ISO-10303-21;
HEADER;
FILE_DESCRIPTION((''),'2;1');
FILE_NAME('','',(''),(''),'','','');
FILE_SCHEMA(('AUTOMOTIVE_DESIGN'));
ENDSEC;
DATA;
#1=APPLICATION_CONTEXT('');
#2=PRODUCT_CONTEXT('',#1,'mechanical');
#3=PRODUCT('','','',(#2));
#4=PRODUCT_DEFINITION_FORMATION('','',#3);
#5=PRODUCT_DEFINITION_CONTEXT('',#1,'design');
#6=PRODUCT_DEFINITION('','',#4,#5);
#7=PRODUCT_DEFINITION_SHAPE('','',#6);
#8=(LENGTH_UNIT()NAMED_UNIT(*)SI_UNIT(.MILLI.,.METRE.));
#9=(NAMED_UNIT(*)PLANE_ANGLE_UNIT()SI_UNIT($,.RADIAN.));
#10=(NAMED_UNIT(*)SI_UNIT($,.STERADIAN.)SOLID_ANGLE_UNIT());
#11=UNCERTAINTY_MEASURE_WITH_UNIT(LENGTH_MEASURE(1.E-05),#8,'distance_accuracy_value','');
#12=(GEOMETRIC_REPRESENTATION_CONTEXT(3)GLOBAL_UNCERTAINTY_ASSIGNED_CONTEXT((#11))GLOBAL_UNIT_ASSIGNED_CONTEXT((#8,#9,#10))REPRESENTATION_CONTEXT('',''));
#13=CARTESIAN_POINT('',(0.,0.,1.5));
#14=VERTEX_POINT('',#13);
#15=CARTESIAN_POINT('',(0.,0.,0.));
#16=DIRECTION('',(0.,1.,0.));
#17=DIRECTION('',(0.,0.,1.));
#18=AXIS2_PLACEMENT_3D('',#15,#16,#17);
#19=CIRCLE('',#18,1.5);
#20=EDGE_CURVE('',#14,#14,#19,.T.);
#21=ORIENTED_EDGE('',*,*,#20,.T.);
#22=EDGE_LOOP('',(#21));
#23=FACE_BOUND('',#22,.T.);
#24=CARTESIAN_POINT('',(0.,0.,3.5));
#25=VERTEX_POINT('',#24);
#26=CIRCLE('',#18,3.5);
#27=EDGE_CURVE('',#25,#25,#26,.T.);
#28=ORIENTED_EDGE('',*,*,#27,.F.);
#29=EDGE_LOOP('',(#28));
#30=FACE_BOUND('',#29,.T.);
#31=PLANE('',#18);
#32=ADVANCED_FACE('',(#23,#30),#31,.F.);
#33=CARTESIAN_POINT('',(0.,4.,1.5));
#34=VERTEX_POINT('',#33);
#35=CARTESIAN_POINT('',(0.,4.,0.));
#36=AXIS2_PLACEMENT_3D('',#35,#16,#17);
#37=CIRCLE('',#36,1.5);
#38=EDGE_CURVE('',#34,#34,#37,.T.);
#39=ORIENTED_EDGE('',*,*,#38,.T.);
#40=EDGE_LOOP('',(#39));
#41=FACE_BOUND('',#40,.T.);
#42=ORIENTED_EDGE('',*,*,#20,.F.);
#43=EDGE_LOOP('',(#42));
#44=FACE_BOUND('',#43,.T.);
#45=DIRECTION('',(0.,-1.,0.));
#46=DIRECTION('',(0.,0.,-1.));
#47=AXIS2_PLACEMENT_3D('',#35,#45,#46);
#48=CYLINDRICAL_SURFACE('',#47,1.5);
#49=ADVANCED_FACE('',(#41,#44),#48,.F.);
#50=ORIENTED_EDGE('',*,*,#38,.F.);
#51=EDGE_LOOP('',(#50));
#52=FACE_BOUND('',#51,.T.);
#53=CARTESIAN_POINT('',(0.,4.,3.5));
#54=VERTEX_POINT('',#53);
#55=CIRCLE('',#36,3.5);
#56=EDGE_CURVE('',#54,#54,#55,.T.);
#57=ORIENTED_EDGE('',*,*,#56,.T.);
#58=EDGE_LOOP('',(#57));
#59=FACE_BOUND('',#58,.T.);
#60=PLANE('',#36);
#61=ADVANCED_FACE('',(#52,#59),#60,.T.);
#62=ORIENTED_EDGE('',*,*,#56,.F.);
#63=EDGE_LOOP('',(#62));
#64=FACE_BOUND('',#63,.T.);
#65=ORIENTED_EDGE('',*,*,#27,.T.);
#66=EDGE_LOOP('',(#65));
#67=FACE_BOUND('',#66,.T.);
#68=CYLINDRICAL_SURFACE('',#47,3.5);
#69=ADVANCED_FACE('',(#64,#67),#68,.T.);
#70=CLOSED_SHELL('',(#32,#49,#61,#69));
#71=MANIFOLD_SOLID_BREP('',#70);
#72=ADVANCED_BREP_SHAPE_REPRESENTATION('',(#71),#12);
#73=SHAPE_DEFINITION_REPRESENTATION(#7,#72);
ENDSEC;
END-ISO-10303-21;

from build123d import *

# Parameters (mm, degrees)
SKETCH_1_R      = 3.5
SKETCH_1_R_2    = 1.5
EXTRUDE_1_DEPTH = 4


with BuildPart() as part:
    # 草图1 → 凸台-拉伸1 (new body)
    with BuildSketch(Plane(origin=(0, 0, 0), x_dir=(1, 0, 0), z_dir=(0, 1, 0))):
        Circle(SKETCH_1_R)
        Circle(SKETCH_1_R_2, mode=Mode.SUBTRACT)
    extrude(amount=EXTRUDE_1_DEPTH)


solid = part.part
